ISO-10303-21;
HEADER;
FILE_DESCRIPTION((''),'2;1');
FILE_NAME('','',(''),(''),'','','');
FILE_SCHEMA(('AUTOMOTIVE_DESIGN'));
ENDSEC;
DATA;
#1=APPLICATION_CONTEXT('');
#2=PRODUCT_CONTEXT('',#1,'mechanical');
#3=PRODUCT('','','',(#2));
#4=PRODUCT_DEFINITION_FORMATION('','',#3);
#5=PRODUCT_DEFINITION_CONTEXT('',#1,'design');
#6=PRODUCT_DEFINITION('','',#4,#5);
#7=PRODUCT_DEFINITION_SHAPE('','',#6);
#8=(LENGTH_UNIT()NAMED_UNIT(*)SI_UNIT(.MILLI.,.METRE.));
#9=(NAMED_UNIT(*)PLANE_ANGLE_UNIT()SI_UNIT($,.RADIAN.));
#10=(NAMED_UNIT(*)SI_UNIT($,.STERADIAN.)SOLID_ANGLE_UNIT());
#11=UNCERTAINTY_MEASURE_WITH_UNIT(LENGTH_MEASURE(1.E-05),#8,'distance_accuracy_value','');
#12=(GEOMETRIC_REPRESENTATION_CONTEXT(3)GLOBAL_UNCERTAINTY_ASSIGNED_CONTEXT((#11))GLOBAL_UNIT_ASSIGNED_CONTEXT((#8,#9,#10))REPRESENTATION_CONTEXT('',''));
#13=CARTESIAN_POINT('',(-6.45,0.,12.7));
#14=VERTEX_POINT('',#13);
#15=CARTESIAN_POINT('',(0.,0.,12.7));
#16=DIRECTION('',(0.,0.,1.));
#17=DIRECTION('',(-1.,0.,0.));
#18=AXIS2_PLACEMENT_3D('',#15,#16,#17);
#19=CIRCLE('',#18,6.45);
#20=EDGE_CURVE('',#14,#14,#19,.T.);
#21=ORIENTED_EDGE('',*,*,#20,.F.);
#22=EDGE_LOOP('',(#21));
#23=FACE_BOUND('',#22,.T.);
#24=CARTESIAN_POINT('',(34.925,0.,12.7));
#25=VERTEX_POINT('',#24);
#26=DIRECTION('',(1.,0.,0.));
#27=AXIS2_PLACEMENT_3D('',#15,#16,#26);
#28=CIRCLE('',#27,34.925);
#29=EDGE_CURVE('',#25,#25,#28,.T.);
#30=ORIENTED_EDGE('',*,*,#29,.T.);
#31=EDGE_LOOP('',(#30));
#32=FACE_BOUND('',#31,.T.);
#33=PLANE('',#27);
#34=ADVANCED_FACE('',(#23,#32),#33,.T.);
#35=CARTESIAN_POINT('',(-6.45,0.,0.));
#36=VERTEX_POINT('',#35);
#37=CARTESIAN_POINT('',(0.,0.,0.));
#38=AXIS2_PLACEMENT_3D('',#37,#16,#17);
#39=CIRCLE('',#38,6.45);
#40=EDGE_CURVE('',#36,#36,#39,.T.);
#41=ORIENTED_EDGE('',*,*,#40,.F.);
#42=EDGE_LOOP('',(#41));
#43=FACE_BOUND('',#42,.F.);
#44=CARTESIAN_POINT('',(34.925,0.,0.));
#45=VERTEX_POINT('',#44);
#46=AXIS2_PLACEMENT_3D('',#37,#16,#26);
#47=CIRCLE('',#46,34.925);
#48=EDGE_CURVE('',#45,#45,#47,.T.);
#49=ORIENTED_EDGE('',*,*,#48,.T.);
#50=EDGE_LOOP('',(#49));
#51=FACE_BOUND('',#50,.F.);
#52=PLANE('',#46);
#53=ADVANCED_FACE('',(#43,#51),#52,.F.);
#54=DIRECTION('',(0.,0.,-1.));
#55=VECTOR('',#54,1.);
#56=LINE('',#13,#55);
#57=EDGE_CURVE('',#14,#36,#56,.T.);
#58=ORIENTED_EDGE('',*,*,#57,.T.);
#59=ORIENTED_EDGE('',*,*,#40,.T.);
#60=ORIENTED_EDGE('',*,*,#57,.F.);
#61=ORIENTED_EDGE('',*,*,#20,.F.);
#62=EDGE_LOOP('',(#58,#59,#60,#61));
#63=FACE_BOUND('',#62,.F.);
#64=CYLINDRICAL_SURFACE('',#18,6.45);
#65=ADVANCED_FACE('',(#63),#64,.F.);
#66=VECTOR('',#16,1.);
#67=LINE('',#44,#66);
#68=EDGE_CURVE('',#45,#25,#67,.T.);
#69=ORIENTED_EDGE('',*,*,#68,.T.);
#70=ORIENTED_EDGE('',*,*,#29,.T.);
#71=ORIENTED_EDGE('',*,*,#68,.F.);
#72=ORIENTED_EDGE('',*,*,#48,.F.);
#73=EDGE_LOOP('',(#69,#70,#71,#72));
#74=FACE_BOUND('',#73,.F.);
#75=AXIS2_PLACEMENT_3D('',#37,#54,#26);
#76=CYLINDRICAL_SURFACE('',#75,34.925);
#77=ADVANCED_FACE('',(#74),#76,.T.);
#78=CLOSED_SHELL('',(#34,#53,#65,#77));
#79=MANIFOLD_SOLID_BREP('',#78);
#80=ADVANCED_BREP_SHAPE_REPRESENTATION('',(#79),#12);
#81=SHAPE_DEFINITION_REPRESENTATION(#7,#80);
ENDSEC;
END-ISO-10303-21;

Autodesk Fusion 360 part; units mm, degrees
sketch "Roller_Insert" plane through (0, 0, 0) normal (0, 0, 1) x (1, 0, 0)
  circle A0 centre (0, 0) radius 34.925
  dimension "d1" = 69.85
extrude "Extrude2" add sketch "Roller_Insert" along normal blind 12.7
sketch "Pipe Cutout" plane through (0, 0, 12.7) normal (0, 0, 1) x (-1, 0, 0)
  circle A0 centre (0, 0) radius 34.925
  circle A1 centre (0, 0) radius 6.45
  dimension "d9" = 12.9
extrude "Extrude3" cut sketch "Pipe Cutout" against normal through all contours A1
